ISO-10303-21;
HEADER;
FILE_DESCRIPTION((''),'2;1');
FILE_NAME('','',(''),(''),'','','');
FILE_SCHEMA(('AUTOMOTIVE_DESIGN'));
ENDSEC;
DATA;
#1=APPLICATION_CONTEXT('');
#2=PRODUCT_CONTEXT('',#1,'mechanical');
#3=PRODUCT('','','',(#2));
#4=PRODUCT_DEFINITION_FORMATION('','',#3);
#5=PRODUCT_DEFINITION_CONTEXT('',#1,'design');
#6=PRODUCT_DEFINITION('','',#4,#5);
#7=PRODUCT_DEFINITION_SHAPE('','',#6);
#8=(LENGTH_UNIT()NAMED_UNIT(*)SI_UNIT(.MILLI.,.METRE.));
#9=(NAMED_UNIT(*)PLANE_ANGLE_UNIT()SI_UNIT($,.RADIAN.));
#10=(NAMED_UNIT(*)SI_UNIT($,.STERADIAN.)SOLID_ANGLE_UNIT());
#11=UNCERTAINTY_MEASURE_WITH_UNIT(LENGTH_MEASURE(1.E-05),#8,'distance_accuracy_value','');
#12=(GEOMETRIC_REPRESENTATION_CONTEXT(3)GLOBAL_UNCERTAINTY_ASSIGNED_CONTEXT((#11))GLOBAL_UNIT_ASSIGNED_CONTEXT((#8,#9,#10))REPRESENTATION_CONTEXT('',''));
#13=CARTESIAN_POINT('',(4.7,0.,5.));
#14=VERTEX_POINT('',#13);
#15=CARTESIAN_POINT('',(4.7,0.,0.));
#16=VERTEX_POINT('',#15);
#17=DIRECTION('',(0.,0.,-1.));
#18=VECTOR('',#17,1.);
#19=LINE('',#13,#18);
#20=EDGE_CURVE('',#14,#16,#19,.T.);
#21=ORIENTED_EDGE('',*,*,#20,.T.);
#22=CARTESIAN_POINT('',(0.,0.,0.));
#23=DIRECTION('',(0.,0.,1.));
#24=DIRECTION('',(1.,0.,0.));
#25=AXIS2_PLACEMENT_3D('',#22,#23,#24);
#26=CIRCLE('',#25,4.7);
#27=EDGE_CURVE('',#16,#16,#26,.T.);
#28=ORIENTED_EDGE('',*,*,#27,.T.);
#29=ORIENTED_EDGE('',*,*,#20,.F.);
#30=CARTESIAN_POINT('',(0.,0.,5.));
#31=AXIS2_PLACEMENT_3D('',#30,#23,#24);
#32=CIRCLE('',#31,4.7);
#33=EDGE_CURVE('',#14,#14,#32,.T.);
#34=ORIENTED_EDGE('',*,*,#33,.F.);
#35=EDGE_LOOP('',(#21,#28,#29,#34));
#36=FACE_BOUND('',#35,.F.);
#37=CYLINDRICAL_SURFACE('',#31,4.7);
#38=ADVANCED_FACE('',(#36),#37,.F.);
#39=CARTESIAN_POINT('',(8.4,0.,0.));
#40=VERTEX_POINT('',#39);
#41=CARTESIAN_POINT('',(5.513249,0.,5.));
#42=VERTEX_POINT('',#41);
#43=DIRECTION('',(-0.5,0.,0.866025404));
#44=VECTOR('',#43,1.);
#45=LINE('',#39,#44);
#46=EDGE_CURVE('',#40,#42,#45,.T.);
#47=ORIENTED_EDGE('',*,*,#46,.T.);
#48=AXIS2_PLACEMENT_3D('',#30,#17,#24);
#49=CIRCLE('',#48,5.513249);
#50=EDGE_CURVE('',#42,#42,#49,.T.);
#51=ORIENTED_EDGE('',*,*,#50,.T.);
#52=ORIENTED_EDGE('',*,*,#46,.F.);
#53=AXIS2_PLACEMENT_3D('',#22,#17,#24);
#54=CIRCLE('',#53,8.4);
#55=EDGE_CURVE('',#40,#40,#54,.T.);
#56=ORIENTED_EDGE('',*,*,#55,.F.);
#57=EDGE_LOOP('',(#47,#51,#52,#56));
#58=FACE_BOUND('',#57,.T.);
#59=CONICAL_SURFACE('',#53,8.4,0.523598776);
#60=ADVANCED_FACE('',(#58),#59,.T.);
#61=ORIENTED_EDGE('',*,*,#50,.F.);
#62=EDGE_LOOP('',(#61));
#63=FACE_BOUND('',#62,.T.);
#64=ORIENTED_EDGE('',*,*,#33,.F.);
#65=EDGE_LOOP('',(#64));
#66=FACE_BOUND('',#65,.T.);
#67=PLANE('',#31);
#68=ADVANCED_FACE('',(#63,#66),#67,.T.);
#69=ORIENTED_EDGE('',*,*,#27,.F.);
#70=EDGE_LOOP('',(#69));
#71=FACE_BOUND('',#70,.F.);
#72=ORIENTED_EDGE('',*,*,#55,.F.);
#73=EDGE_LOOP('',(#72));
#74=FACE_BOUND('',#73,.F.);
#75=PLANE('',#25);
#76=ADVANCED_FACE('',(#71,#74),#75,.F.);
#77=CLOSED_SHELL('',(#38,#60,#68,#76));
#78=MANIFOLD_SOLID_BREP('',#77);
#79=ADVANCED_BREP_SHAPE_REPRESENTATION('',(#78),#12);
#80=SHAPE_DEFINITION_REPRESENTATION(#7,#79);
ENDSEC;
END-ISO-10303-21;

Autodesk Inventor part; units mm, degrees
ref_plane "YZ Plane" through (0, 0, 0) normal (1, 0, 0) x (0, 1, 0)
ref_plane "XZ Plane" through (0, 0, 0) normal (0, 1, 0) x (-1, 0, 0)
ref_plane "XY Plane" through (0, 0, 0) normal (0, 0, 1) x (1, 0, 0)
sketch "Sketch1" plane through (0, 0, 0) normal (0, 0, 1) x (1, 0, 0)
  circle A0 centre (0, 0) radius 8.4
  dimension "d0" = 16.8
extrude "Extrusion1" add sketch "Sketch1" along normal blind 5 draft -30
sketch "Sketch2" plane through (0, 0, 5) normal (0, 0, 1) x (1, 0, 0)
  circle A0 centre (0, 0) radius 4.7
  dimension "d4" = 9.4
extrude "Extrusion2" cut sketch "Sketch2" against normal blind 5
properties part number "BallBearingCone"
